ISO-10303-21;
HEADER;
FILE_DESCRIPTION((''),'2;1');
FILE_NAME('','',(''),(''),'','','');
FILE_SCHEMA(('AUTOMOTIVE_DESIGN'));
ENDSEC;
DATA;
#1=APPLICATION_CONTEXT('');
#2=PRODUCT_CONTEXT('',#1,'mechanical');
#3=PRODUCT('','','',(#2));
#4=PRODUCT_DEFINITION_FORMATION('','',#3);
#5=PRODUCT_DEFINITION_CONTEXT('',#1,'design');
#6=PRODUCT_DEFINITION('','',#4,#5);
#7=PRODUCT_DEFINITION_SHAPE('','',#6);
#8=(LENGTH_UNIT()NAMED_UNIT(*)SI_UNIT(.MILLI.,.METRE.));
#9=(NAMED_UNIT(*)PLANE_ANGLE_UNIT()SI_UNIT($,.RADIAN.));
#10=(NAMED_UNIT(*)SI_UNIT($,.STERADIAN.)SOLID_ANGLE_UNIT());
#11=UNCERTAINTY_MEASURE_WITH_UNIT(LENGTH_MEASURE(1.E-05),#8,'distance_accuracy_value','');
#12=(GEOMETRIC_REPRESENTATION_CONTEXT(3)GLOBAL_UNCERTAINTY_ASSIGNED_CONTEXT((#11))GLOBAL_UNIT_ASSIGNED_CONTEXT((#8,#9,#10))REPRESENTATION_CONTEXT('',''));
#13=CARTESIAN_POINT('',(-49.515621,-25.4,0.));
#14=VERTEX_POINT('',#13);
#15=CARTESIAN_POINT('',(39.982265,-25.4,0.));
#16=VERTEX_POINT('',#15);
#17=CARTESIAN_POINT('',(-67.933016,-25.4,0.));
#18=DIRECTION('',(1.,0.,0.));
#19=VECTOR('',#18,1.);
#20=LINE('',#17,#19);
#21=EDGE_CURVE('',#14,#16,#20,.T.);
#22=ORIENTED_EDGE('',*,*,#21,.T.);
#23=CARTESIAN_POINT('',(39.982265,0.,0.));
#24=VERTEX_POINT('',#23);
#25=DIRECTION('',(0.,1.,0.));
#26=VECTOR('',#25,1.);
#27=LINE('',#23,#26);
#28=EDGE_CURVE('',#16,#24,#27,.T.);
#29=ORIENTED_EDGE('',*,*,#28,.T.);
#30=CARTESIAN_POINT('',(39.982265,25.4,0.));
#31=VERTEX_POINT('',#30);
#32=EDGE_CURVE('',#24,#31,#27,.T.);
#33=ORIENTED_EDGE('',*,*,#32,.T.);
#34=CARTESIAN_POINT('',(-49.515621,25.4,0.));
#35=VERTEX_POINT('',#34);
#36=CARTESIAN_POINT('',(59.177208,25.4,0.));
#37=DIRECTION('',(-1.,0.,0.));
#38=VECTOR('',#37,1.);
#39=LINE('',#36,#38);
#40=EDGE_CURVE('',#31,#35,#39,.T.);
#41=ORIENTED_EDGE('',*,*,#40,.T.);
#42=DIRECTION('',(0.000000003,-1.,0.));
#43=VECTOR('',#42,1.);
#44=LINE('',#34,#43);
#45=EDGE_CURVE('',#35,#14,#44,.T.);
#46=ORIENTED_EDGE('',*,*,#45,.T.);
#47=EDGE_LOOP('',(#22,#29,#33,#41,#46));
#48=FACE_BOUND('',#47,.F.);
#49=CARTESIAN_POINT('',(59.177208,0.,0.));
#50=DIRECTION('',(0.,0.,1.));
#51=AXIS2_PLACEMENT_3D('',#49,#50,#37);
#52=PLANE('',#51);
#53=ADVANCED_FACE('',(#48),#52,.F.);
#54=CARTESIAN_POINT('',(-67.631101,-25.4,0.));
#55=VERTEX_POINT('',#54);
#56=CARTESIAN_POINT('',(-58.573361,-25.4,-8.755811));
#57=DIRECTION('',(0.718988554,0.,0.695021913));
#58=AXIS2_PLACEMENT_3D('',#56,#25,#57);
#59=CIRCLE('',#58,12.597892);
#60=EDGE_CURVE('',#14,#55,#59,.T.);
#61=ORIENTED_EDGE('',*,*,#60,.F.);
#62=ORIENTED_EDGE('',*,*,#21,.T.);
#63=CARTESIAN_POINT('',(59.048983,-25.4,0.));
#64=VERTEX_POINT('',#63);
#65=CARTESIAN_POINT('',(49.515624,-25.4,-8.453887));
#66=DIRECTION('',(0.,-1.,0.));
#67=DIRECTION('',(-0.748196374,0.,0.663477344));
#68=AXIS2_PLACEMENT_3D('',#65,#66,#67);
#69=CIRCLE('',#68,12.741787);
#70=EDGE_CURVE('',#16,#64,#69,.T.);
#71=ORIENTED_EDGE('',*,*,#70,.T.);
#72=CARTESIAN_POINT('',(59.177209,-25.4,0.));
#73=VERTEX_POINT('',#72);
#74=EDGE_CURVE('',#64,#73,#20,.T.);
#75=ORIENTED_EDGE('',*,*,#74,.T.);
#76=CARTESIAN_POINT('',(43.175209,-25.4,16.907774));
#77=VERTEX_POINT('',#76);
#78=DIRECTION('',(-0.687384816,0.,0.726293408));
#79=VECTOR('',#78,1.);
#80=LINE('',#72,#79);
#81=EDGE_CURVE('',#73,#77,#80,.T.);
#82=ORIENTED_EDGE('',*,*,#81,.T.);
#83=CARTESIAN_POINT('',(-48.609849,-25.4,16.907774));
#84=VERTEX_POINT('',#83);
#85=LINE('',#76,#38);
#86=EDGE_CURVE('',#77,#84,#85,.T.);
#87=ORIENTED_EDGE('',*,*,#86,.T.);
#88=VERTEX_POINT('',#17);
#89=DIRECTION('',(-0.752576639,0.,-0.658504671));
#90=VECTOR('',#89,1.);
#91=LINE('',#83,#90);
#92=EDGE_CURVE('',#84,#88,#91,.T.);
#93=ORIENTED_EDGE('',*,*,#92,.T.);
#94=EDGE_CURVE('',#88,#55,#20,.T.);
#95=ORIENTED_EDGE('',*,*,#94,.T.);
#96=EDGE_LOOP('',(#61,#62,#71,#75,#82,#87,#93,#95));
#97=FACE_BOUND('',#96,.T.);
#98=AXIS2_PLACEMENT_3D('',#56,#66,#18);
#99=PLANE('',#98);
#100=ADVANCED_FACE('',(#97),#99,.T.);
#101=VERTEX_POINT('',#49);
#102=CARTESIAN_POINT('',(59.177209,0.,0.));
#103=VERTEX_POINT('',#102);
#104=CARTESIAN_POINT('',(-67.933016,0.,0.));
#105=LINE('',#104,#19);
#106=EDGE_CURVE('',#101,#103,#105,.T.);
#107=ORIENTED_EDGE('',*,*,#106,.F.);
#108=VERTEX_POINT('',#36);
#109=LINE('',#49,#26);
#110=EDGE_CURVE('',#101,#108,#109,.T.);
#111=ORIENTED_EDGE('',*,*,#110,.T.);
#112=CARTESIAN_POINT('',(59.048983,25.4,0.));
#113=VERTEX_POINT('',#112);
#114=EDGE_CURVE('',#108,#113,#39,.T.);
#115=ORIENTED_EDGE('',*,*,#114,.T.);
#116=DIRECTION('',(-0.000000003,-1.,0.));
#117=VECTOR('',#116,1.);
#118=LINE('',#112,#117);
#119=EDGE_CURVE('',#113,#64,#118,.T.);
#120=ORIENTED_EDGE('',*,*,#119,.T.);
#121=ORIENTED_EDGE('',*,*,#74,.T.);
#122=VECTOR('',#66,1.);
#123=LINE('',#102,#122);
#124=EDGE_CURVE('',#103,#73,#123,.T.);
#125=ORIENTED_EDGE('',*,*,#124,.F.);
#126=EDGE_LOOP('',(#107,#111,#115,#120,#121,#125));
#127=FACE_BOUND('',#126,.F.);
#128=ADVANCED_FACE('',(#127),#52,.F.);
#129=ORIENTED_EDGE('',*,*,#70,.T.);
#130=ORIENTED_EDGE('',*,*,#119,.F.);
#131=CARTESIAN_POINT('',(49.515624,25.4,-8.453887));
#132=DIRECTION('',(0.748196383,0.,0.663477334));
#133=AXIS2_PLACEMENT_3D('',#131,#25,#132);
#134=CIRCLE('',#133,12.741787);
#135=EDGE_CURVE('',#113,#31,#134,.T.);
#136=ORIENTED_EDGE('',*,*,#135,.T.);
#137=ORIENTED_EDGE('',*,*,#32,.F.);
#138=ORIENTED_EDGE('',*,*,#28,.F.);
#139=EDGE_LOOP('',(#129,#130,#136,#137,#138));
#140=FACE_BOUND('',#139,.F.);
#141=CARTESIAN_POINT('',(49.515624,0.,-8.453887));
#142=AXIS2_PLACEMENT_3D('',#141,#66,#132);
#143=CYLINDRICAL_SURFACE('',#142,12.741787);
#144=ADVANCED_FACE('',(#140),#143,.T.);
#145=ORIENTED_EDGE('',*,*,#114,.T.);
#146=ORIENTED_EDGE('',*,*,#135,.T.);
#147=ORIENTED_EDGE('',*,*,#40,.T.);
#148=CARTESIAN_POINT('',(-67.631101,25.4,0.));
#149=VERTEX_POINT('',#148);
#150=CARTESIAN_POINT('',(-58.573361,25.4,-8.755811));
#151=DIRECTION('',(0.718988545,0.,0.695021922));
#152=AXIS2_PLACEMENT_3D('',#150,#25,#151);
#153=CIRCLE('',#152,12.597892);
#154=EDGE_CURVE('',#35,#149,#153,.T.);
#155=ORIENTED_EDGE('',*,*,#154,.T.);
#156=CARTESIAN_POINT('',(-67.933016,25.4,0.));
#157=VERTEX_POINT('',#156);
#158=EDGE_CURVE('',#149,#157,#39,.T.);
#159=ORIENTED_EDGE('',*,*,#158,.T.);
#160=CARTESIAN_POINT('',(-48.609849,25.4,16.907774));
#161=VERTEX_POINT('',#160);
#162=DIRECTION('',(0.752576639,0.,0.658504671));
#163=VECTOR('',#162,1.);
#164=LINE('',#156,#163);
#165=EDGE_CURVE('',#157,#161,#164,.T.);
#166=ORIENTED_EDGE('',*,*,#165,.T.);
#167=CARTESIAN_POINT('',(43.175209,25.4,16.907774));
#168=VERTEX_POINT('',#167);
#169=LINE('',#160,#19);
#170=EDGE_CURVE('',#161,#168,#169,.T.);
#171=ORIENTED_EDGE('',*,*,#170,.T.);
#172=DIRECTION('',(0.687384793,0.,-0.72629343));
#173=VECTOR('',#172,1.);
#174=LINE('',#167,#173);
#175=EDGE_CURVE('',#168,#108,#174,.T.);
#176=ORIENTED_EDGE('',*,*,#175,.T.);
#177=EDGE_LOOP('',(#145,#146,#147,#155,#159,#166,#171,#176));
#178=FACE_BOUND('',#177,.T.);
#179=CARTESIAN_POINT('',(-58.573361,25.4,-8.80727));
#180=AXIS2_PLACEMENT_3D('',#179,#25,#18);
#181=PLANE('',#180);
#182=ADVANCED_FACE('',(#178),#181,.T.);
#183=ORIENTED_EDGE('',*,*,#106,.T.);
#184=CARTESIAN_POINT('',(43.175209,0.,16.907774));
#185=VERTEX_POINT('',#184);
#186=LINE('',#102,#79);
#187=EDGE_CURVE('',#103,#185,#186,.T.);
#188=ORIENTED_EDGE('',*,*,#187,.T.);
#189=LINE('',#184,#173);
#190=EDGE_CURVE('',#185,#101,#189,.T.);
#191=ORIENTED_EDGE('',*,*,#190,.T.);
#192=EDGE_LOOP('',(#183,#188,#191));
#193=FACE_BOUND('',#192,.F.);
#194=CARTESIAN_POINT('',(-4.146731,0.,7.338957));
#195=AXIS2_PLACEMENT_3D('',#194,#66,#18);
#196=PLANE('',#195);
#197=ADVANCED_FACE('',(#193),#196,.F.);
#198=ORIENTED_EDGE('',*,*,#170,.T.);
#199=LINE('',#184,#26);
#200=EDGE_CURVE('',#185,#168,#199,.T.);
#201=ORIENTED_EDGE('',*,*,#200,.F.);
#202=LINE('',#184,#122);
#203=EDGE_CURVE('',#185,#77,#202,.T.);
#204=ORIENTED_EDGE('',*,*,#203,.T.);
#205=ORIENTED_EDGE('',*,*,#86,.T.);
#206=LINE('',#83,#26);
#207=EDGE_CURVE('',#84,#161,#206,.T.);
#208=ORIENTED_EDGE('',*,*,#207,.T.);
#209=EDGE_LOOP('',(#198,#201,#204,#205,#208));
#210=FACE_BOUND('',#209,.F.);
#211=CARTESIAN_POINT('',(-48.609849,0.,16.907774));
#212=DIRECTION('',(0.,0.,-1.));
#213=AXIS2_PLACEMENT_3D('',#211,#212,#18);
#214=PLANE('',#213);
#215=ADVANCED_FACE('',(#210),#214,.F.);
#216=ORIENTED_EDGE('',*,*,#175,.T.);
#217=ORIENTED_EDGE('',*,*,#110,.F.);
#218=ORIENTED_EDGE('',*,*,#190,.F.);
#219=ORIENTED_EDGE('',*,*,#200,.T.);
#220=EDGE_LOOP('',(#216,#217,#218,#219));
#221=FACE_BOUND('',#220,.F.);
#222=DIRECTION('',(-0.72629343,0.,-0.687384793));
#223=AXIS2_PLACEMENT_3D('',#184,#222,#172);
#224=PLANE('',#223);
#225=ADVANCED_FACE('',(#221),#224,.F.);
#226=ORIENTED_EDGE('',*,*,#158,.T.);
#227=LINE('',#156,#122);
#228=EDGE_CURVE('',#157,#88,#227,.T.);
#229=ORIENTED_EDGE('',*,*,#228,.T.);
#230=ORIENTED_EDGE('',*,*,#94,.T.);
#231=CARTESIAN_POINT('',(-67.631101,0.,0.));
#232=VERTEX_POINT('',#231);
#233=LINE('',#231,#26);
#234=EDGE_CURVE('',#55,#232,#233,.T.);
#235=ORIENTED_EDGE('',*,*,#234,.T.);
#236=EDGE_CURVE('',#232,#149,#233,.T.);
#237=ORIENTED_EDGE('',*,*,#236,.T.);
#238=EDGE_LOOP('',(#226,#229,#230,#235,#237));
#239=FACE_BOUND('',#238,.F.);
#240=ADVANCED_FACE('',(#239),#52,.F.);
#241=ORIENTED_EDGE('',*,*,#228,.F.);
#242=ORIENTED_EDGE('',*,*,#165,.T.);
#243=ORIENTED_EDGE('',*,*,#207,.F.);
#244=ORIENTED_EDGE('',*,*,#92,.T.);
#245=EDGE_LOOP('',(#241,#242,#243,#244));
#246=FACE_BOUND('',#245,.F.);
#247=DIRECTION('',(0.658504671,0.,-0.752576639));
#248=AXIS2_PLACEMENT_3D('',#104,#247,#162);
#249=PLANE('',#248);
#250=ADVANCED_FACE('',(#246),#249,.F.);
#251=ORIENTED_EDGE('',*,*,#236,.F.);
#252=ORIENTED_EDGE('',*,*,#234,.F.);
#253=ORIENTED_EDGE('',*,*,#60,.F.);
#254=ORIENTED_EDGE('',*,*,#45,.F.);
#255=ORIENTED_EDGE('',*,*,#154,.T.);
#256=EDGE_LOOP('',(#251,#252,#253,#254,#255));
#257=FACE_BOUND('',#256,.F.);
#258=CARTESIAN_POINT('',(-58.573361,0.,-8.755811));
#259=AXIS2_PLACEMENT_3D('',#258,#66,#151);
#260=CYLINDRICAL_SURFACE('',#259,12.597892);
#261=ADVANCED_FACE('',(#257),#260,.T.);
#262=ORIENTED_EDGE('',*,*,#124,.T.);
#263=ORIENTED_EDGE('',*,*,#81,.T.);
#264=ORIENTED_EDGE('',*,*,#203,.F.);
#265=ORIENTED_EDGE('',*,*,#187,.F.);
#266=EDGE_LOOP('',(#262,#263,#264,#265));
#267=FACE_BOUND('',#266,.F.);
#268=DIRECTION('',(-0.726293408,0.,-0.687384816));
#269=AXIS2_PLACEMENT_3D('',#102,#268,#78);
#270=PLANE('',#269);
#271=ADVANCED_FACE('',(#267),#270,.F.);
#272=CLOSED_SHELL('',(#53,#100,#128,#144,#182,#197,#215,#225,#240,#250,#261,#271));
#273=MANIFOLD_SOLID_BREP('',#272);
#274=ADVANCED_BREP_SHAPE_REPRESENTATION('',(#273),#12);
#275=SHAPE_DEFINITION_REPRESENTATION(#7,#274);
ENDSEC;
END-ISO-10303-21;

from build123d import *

# Parameters (mm, degrees)
F1_DEPTH = 25.4
F2_DEPTH = 25.4
F3_R     = 12.741787
F4_DEPTH = 25.4
F5_DEPTH = 25.4
F3_R_2   = 12.597892
F6_DEPTH = 25.4
F7_DEPTH = 25.4


with BuildPart() as f1:
    # F0 (on Front) → F1 (new body)
    with BuildSketch(Plane.XZ):
        Polygon((-48.609849, 16.907774), (-67.933016, 0), (59.177209, 0), (43.175209, 16.907774), align=None)
    extrude(amount=F1_DEPTH)

    # F1_face (on face) → F2 (join)
    with BuildSketch(Plane(origin=(-3.592276, 0, 7.999126), x_dir=(1, 0, 0), z_dir=(0, 1, 0))):
        Polygon((-64.34074, 7.999126), (-45.017573, -8.908648), (46.767485, -8.908648), (62.769484, 7.999126), align=None)
    extrude(amount=F2_DEPTH)

    # F3 (on Front) → F4 (join)
    with BuildSketch(Plane.XZ):
        with Locations((49.515624, -8.453887)):
            Circle(F3_R)
    extrude(amount=F4_DEPTH)

    # F4_face (on face) → F5 (join)
    with BuildSketch(Plane(origin=(49.515624, 0, -9.72788), x_dir=(1, 0, 0), z_dir=(0, 1, 0))):
        with BuildLine():
            ThreePointArc((9.533359, -9.72788), (0, 11.467794), (-9.533359, -9.72788))
            Line((-9.533359, -9.72788), (9.533359, -9.72788))
        make_face()
    extrude(amount=F5_DEPTH)

    # F3 (on Front) → F6 (join)
    with BuildSketch(Plane.XZ):
        with Locations((-58.573361, -8.755811)):
            Circle(F3_R_2)
        with Locations((49.515624, -8.453887)):
            Circle(F3_R)
    extrude(amount=F6_DEPTH)

    # F6_face (on face) → F7 (join)
    with BuildSketch(Plane(origin=(-58.573361, 0, -9.855357), x_dir=(1, 0, 0), z_dir=(0, 1, 0))):
        with BuildLine():
            ThreePointArc((9.05774, -9.855357), (0, 11.498346), (-9.05774, -9.855357))
            Line((-9.05774, -9.855357), (9.05774, -9.855357))
        make_face()
    extrude(amount=F7_DEPTH)


solid = f1.part
